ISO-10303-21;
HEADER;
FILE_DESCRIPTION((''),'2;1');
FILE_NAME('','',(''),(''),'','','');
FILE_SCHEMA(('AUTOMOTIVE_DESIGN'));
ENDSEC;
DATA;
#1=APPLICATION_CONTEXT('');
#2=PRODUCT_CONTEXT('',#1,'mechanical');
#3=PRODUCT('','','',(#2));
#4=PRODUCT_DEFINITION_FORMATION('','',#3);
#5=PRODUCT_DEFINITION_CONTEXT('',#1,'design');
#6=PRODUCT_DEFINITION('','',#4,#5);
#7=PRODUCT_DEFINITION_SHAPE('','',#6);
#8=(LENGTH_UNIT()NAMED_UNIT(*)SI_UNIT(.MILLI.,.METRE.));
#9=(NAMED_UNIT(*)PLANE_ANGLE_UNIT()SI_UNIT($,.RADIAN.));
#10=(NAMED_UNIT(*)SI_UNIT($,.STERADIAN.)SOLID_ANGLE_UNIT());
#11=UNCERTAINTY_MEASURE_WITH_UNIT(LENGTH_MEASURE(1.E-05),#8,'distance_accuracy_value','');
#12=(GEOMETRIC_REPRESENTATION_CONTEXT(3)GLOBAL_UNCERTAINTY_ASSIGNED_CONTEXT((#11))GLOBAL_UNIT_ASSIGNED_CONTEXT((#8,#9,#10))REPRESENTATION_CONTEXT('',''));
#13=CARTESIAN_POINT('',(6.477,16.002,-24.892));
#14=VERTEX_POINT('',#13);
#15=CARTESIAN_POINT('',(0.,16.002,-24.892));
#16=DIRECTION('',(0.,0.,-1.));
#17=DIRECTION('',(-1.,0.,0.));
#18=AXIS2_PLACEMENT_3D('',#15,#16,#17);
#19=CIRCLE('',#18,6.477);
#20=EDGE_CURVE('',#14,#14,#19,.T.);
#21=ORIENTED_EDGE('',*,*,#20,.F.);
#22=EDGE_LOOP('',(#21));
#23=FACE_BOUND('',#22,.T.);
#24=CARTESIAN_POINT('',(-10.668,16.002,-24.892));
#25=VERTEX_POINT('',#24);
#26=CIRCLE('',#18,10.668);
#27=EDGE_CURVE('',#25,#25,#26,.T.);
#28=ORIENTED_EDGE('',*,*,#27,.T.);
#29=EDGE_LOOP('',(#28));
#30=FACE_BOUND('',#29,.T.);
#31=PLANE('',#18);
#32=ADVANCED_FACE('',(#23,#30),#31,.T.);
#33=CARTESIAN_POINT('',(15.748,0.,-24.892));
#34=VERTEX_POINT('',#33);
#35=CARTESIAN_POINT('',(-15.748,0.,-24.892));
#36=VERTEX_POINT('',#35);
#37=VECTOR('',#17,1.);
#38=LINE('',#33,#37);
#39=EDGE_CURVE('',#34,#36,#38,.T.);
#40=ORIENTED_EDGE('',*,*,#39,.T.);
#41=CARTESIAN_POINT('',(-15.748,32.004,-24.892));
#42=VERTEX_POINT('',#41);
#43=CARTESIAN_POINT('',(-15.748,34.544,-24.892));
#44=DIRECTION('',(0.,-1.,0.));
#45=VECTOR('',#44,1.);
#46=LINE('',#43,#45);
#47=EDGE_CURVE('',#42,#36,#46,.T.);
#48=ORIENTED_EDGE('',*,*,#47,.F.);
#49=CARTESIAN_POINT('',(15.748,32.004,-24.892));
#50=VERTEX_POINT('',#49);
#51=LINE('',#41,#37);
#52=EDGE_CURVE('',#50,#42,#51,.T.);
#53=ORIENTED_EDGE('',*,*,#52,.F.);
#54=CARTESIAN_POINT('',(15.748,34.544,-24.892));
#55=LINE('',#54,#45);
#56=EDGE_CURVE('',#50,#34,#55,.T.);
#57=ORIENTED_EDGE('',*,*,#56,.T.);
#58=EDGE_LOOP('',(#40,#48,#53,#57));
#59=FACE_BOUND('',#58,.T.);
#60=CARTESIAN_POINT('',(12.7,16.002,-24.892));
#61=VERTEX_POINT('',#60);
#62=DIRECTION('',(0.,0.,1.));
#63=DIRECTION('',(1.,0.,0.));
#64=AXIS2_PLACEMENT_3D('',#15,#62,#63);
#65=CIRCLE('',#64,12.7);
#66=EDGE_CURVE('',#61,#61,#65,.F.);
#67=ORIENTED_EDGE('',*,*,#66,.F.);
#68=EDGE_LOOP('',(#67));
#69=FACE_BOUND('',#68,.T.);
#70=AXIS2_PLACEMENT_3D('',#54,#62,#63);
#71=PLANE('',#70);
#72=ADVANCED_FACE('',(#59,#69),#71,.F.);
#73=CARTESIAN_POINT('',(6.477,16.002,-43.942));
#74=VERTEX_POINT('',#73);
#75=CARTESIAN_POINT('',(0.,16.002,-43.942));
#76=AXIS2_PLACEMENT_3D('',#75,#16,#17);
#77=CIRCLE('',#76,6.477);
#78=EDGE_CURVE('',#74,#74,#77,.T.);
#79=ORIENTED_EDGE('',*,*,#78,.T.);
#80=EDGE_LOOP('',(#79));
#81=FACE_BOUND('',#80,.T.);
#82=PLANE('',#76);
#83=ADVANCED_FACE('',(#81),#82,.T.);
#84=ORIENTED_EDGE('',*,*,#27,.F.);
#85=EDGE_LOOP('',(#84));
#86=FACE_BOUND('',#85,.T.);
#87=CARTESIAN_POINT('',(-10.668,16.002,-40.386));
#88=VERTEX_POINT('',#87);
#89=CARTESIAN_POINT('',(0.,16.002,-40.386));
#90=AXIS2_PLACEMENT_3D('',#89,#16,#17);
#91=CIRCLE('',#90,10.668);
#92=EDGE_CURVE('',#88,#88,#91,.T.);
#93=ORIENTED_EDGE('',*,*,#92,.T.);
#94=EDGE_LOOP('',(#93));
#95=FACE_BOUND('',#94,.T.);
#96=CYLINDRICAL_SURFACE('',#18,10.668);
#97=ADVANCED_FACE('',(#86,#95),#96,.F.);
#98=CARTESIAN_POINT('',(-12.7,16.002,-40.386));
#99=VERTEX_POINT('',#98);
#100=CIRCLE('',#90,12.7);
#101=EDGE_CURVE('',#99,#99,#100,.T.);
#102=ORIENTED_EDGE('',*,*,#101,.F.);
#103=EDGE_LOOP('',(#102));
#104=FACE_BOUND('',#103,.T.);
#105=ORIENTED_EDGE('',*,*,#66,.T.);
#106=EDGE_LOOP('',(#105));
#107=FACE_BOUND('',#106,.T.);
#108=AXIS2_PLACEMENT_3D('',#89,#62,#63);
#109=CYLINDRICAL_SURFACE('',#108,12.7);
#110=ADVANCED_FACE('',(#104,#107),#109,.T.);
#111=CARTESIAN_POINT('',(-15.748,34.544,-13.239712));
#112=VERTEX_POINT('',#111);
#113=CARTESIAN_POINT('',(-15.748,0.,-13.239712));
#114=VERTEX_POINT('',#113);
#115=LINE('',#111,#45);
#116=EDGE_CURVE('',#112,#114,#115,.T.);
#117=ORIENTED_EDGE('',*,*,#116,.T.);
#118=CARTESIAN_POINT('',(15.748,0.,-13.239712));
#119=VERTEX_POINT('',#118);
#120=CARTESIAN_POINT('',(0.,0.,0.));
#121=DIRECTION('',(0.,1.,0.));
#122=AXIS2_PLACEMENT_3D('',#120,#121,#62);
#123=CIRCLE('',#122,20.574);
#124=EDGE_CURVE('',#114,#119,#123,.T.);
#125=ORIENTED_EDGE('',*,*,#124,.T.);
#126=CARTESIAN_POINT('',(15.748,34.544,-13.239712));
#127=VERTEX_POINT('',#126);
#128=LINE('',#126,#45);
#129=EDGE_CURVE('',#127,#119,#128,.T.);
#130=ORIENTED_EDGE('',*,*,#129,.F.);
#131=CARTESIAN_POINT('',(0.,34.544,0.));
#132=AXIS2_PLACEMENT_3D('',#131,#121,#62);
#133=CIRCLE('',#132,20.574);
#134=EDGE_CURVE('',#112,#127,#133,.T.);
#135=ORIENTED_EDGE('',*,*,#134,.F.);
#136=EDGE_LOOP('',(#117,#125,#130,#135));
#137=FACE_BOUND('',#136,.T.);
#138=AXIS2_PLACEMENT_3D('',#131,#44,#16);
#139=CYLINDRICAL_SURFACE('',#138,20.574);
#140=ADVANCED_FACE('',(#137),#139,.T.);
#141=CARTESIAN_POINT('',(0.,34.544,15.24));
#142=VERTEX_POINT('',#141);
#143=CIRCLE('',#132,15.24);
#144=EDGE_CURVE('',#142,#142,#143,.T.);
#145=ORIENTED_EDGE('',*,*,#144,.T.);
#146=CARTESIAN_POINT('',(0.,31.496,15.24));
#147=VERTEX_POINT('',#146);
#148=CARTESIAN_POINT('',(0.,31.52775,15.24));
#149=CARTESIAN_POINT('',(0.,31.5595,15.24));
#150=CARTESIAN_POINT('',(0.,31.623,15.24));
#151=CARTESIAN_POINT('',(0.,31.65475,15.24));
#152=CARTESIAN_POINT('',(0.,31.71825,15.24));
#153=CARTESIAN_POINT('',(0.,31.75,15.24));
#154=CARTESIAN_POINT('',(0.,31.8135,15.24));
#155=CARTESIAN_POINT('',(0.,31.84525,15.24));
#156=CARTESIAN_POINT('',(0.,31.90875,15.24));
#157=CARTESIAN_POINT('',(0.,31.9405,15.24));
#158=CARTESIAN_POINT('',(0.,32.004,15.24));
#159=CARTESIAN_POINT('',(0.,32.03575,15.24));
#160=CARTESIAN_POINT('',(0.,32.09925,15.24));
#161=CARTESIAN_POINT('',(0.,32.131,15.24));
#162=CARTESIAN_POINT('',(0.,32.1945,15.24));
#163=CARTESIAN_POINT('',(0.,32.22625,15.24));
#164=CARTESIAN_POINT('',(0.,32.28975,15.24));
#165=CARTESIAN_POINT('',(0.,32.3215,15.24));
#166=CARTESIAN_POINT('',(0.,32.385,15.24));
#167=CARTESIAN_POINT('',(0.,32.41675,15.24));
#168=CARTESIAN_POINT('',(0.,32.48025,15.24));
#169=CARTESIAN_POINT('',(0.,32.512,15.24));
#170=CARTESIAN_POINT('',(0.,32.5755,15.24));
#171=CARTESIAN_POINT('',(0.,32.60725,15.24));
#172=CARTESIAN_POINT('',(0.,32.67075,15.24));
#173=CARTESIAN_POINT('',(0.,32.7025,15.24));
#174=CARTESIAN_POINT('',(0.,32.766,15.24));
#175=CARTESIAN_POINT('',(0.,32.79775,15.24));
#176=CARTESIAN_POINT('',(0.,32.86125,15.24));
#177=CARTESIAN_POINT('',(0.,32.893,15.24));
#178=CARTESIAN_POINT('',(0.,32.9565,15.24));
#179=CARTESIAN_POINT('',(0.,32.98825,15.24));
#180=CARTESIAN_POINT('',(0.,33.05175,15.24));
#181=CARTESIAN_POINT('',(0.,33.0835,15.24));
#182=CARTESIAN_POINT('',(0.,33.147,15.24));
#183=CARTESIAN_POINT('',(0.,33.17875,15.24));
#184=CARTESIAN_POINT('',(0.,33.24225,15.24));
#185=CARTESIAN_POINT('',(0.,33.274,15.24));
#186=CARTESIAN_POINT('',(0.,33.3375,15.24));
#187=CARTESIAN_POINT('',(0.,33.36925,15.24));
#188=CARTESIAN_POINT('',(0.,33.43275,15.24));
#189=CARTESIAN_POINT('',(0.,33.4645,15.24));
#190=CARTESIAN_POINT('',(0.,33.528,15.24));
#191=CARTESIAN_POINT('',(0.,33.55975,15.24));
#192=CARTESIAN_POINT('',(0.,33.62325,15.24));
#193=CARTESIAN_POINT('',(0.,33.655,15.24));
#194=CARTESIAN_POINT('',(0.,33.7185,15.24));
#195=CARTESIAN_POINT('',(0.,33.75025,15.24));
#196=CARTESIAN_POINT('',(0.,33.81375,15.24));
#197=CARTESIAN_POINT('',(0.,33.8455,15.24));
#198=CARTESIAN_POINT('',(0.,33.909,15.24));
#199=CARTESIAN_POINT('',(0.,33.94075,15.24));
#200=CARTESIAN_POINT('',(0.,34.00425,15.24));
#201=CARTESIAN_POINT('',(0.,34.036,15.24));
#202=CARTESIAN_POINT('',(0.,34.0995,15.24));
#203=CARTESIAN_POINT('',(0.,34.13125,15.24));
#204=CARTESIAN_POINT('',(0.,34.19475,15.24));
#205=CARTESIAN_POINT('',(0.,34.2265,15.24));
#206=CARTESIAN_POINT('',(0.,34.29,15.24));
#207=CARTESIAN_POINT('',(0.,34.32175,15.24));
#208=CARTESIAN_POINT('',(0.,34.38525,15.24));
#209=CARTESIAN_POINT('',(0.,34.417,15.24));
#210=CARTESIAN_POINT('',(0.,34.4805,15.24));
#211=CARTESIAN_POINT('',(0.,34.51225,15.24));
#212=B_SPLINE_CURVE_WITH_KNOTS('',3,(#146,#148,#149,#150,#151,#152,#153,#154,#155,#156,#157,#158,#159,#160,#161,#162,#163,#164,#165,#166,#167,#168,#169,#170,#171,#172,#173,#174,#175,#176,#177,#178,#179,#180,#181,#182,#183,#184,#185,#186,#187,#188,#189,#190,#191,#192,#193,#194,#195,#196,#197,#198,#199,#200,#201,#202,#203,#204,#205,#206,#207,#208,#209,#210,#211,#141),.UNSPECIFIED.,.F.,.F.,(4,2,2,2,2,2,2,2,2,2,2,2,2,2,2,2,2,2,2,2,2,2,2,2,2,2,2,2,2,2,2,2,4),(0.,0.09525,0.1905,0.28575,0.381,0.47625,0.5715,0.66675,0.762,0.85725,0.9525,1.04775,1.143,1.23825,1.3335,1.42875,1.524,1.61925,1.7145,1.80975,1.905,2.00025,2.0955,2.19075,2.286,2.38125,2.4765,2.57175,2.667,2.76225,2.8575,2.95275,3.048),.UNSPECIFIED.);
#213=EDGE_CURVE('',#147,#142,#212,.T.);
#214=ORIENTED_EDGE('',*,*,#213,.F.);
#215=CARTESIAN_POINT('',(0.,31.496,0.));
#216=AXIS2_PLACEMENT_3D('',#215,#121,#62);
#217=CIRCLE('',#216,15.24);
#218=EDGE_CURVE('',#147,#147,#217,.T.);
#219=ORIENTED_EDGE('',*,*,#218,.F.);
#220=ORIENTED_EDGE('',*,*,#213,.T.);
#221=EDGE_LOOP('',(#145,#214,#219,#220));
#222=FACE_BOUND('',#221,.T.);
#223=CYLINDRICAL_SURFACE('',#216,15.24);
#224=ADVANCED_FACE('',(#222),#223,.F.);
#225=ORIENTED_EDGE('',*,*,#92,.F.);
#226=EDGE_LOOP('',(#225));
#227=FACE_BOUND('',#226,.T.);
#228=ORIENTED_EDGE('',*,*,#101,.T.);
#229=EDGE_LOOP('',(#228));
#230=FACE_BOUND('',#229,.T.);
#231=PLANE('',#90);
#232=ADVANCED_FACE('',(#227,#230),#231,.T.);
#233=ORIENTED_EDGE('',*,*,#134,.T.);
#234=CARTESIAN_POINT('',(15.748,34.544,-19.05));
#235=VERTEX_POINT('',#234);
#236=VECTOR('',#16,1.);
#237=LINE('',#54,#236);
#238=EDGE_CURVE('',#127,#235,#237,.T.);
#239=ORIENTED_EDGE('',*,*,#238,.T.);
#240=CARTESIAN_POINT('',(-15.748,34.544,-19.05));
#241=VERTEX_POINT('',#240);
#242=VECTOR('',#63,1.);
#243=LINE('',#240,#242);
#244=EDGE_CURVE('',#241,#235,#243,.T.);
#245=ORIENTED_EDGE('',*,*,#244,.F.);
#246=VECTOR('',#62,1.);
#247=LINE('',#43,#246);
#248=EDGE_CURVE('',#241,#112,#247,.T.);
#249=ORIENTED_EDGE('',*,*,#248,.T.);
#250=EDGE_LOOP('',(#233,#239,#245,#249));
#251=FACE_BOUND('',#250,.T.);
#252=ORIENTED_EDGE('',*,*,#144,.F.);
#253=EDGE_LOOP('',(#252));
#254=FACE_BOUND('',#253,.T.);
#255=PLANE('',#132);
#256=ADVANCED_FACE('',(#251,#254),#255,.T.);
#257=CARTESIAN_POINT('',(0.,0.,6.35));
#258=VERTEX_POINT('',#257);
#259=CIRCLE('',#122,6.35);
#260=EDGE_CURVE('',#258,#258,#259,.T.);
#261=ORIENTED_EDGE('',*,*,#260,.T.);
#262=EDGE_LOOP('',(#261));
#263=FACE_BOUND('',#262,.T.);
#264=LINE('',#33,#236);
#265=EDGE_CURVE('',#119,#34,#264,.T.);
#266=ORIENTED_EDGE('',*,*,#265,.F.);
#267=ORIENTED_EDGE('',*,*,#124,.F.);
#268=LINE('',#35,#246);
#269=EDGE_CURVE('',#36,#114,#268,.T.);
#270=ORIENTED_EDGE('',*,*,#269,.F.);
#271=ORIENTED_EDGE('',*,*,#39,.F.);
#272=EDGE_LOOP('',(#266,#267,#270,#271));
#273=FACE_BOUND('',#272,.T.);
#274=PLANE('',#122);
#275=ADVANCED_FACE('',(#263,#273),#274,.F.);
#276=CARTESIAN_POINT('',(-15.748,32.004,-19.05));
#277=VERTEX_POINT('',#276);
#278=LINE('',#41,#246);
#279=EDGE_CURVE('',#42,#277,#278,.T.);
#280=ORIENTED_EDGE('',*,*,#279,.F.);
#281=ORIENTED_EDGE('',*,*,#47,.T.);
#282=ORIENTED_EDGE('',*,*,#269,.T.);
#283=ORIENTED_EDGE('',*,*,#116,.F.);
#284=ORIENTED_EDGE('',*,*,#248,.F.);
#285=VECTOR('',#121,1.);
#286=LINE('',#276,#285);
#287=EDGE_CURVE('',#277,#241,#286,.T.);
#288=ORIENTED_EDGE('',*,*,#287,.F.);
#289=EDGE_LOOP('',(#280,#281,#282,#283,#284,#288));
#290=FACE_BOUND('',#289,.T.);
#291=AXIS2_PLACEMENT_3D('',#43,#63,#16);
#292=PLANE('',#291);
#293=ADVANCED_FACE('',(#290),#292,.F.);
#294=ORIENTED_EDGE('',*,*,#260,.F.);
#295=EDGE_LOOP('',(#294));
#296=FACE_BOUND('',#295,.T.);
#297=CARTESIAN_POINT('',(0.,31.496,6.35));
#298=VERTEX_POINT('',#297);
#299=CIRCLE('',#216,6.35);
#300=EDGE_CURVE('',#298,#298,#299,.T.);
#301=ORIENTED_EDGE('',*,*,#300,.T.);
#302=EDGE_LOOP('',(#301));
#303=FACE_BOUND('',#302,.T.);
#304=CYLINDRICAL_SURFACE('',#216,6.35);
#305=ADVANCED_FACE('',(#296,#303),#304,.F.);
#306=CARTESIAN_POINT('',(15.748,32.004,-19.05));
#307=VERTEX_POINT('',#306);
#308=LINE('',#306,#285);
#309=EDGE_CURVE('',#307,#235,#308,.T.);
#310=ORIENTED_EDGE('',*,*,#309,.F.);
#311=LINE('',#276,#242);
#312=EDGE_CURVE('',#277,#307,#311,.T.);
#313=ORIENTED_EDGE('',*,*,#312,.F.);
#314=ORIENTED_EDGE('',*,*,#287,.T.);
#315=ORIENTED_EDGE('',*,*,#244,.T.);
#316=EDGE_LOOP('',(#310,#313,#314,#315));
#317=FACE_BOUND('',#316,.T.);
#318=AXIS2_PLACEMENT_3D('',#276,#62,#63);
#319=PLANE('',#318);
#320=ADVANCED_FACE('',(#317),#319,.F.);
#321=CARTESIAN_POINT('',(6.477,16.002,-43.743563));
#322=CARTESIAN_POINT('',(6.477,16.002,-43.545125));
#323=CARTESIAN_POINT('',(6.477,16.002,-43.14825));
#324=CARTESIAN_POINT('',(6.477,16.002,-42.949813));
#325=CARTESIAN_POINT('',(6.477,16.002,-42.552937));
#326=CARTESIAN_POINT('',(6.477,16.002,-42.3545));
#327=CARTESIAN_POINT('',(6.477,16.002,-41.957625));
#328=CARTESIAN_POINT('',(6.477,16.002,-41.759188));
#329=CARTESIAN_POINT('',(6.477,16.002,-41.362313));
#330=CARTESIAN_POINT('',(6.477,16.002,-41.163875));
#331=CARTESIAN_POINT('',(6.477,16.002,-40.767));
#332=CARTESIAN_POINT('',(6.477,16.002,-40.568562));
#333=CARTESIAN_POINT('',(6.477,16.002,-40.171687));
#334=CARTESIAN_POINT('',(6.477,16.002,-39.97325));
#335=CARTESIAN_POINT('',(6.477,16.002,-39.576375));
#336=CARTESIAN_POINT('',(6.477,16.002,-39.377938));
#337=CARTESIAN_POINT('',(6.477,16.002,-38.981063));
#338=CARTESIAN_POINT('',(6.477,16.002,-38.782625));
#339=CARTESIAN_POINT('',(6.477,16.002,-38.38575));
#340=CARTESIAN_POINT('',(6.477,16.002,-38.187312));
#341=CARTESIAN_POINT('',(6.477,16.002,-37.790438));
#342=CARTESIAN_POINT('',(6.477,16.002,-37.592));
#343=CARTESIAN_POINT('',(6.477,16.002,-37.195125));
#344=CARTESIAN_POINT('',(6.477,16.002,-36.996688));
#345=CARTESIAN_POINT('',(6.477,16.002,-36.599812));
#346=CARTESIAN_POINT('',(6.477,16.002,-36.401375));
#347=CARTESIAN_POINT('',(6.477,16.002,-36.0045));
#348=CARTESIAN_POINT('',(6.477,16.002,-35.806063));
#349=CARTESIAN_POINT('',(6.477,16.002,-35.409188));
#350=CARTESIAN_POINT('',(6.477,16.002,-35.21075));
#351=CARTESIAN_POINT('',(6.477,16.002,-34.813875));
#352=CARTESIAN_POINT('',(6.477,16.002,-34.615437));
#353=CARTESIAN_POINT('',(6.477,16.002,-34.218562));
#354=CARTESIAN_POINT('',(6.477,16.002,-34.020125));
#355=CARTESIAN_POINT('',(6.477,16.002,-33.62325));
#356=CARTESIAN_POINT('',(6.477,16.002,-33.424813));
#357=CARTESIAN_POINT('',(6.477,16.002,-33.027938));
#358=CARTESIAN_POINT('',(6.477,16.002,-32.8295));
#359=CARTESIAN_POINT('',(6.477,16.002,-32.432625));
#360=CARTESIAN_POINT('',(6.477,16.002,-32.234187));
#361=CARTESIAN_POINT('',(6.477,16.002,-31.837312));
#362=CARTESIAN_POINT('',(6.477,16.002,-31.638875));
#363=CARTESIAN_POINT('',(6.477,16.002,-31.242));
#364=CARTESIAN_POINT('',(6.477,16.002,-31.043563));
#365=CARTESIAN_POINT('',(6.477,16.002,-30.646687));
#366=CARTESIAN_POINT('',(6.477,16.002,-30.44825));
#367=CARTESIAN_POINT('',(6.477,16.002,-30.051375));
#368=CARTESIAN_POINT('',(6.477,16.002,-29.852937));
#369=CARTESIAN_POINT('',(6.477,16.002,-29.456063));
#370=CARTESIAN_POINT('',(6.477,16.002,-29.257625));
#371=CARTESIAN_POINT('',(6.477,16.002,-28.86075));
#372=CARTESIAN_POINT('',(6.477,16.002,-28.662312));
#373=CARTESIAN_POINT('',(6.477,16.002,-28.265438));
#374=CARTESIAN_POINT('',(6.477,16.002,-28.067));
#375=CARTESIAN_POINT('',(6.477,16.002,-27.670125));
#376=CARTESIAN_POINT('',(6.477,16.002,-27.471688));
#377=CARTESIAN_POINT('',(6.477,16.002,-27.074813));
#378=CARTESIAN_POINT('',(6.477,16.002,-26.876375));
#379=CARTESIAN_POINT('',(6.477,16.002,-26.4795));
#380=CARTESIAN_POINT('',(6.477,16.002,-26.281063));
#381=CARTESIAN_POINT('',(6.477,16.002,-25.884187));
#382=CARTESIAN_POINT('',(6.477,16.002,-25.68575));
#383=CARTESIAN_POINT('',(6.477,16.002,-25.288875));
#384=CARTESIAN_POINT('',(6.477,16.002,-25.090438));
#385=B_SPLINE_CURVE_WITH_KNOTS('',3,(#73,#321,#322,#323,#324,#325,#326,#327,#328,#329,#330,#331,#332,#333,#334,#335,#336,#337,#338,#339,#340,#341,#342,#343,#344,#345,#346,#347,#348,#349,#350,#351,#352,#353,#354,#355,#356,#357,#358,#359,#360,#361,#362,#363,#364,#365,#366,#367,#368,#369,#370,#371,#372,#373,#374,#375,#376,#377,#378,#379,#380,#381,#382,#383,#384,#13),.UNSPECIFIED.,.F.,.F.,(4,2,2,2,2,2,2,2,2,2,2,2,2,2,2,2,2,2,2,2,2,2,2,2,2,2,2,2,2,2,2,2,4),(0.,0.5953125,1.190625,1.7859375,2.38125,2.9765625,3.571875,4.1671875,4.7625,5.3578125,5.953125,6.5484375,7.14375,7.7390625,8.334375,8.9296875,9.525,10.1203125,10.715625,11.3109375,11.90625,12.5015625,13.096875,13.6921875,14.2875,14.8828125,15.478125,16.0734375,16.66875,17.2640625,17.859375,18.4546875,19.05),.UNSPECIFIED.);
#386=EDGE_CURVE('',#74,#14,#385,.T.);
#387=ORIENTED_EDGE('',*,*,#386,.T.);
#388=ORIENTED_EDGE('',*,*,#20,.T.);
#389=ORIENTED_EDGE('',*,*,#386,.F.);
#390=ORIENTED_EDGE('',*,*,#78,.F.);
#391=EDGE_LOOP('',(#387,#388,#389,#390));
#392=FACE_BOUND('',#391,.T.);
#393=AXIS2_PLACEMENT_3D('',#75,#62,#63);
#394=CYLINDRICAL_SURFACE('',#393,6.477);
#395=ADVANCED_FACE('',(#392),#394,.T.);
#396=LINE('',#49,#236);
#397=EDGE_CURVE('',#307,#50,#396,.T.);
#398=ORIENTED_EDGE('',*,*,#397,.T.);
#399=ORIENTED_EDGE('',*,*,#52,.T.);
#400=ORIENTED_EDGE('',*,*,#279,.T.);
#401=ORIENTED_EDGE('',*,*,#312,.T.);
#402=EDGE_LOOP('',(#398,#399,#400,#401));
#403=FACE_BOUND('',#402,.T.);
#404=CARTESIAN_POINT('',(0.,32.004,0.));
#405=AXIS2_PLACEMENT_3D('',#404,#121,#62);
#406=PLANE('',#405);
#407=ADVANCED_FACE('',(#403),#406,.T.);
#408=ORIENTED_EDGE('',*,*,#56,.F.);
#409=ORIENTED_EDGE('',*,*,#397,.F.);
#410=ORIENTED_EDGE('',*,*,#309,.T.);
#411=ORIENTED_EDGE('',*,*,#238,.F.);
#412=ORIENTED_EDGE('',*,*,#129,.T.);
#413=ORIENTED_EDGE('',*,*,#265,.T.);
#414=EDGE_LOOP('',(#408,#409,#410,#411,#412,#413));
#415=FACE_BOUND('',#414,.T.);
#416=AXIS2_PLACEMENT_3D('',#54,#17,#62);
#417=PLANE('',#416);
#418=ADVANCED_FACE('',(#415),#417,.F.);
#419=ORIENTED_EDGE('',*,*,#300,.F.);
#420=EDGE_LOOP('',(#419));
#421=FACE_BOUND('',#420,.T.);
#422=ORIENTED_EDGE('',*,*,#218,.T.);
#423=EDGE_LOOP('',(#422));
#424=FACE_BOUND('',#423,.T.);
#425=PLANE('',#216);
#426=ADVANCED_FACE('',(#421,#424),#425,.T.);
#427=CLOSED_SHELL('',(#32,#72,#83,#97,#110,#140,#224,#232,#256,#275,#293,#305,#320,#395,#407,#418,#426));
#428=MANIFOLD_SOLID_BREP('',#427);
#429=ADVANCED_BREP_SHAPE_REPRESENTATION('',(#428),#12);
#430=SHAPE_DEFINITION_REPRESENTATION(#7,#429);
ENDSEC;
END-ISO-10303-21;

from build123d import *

# Parameters (mm, degrees)
BOSS_EXTRUDE1_DEPTH        = 34.544
SKETCH2_R                  = 15.24
CUT_EXTRUDE1_DEPTH         = 3.048
F_1_2_0_5_DIAMETER_HOLE1_D = 12.7
SKETCH5_W                  = 31.496
SKETCH5_H                  = 5.842
CUT_EXTRUDE2_DEPTH         = 2.54
SKETCH8_R                  = 12.7
SKETCH8_R_2                = 10.668
BOSS_EXTRUDE3_DEPTH        = 15.494
SKETCH9_R                  = 6.477
BOSS_EXTRUDE4_DEPTH        = 19.05
SKETCH6_R                  = 12.7
BOSS_EXTRUDE2_DEPTH        = 15.494
CUT_EXTRUDE3_START         = -15.494
SKETCH7_R                  = 10.668
SKETCH7_R_2                = 6.477
CUT_EXTRUDE3_DEPTH         = 15.494


with BuildPart() as part:
    # Sketch1 → Boss-Extrude1 (new body)
    with BuildSketch(Plane(origin=(0, 0, 0), x_dir=(1, 0, 0), z_dir=(0, 1, 0))):
        with BuildLine():
            Line((15.748, 24.892), (-15.748, 24.892))
            Line((-15.748, 24.892), (-15.748, 13.23971193))
            ThreePointArc((-15.748, 13.23971193), (0, -20.574), (15.748, 13.23971193))
            Line((15.748, 13.23971193), (15.748, 24.892))
        make_face()
    extrude(amount=BOSS_EXTRUDE1_DEPTH)

    # Sketch2 → Cut-Extrude1 (cut)
    with BuildSketch(Plane(origin=(0, 34.544, 0), x_dir=(1, 0, 0), z_dir=(0, 1, 0))):
        with Locations(Location((0, 0, 0), (0, 0, 270))):
            Circle(SKETCH2_R)
    extrude(amount=-CUT_EXTRUDE1_DEPTH, mode=Mode.SUBTRACT)

    # 1/2 (0.5) Diameter Hole1 (through all)
    with Locations(Plane(origin=(0, 31.496, 0), x_dir=(1, 0, 0), z_dir=(0, 1, 0))):
        with Locations((0, 0)):
            Hole(F_1_2_0_5_DIAMETER_HOLE1_D / 2)

    # Sketch5 → Cut-Extrude2 (cut)
    with BuildSketch(Plane(origin=(0, 34.544, 0), x_dir=(1, 0, 0), z_dir=(0, 1, 0))):
        with Locations((0, 21.971)):
            Rectangle(SKETCH5_W, SKETCH5_H)
    extrude(amount=-CUT_EXTRUDE2_DEPTH, mode=Mode.SUBTRACT)

    # Sketch8 → Boss-Extrude3 (add)
    with BuildSketch(Plane(origin=(0, 0, -24.892), x_dir=(-1, 0, 0), z_dir=(0, 0, -1))):
        with Locations(Location((0, 16.002, 0), (0, 0, 180))):
            Circle(SKETCH8_R)
        with Locations((0, 16.002)):
            Circle(SKETCH8_R_2, mode=Mode.SUBTRACT)
    extrude(amount=BOSS_EXTRUDE3_DEPTH)

    # Sketch9 → Boss-Extrude4 (add)
    with BuildSketch(Plane(origin=(0, 0, -24.892), x_dir=(-1, 0, 0), z_dir=(0, 0, -1))):
        with Locations(Location((0, 16.002, 0), (0, 0, 180))):
            Circle(SKETCH9_R)
    extrude(amount=BOSS_EXTRUDE4_DEPTH)

    # Sketch6 → Boss-Extrude2 (add)
    with BuildSketch(Plane(origin=(0, 0, -24.892), x_dir=(-1, 0, 0), z_dir=(0, 0, -1))):
        with Locations(Location((0, 16.002, 0), (0, 0, 180))):
            Circle(SKETCH6_R)
    extrude(amount=BOSS_EXTRUDE2_DEPTH)

    # Sketch7 → Cut-Extrude3 (cut)
    with BuildSketch(Plane(origin=(0, 0, -40.386), x_dir=(-1, 0, 0), z_dir=(0, 0, -1)).offset(CUT_EXTRUDE3_START)):
        with Locations((0, 16.002)):
            Circle(SKETCH7_R)
        with Locations(Location((0, 16.002, 0), (0, 0, 180))):
            Circle(SKETCH7_R_2, mode=Mode.SUBTRACT)
    extrude(amount=CUT_EXTRUDE3_DEPTH, mode=Mode.SUBTRACT)


solid = part.part
